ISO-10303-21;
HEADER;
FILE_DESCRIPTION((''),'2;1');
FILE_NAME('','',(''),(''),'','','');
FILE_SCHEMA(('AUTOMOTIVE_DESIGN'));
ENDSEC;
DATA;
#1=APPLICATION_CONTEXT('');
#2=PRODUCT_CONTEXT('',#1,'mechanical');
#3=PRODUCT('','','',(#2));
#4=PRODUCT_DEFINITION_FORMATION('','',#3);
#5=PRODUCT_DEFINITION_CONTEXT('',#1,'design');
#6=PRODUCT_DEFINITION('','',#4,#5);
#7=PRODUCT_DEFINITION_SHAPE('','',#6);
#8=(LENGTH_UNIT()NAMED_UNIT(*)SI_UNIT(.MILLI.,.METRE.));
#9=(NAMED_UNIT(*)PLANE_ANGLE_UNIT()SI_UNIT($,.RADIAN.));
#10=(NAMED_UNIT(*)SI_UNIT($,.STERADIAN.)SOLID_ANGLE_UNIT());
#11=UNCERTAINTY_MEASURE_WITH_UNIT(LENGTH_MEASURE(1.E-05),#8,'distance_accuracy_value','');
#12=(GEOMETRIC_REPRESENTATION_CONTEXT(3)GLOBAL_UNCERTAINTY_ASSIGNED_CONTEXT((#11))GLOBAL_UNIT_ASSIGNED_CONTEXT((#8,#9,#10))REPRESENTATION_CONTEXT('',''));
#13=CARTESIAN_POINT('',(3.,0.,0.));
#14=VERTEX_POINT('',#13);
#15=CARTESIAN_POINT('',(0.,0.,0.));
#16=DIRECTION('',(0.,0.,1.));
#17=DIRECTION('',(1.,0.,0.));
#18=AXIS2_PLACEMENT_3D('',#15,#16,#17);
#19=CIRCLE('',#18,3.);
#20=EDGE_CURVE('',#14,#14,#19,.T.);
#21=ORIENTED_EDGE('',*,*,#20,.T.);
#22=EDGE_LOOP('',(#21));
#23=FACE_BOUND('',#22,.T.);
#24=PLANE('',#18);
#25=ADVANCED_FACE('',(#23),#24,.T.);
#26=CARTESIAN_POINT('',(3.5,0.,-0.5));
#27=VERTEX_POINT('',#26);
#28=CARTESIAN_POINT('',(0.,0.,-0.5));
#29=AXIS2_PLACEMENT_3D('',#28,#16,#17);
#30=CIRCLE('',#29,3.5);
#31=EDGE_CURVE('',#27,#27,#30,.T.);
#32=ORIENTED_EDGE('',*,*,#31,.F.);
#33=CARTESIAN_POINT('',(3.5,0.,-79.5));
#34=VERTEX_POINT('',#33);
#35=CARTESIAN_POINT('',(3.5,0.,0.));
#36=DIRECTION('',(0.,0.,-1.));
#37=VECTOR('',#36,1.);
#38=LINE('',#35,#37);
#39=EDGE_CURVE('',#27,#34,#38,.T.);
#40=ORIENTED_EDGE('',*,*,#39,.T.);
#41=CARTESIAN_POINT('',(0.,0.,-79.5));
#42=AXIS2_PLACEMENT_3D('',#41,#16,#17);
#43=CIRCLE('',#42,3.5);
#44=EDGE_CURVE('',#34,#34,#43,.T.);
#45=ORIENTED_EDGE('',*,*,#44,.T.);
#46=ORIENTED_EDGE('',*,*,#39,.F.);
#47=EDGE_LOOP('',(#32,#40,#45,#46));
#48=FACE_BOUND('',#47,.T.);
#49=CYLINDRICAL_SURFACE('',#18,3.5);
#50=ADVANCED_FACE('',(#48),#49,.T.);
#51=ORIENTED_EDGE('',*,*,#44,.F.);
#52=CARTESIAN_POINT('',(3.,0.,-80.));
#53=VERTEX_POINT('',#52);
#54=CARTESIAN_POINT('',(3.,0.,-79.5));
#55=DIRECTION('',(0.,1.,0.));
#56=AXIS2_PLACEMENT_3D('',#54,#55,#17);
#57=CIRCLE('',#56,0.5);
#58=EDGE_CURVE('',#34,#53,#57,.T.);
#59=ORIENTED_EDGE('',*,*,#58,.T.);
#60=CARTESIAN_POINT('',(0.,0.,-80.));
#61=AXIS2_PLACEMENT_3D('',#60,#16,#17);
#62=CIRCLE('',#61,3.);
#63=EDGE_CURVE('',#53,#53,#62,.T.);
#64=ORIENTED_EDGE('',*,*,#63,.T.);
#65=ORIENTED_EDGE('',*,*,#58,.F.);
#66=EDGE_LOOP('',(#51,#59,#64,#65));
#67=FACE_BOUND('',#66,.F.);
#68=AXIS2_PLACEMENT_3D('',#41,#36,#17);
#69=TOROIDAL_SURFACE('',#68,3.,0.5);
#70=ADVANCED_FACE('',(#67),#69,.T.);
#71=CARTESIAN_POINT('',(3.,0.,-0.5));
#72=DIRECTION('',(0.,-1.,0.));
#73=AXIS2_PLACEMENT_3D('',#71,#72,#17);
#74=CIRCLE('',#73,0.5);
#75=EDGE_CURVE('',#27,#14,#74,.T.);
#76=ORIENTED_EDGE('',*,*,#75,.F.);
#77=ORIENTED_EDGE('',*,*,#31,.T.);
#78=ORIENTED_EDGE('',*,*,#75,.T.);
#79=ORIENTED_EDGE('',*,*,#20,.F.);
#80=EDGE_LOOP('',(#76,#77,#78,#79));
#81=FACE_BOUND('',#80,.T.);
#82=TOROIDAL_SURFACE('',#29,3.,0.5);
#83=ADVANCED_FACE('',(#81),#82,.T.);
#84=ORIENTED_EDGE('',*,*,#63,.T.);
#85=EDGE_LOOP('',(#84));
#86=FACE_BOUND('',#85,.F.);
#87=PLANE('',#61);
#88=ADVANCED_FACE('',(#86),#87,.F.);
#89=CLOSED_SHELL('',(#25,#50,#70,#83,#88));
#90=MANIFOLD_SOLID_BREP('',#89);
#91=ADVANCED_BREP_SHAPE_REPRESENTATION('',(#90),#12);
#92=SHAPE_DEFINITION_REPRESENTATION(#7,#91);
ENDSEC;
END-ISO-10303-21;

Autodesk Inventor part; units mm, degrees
ref_plane "YZ Plane" through (0, 0, 0) normal (1, 0, 0) x (0, 1, 0)
ref_plane "XZ Plane" through (0, 0, 0) normal (0, 1, 0) x (-1, 0, 0)
ref_plane "XY Plane" through (0, 0, 0) normal (0, 0, 1) x (1, 0, 0)
sketch "Boceto1" plane through (0, 0, 0) normal (0, 0, 1) x (1, 0, 0)
  circle A0 centre (0, 0) radius 3.5
  dimension "d0" = 7
extrude "Extrusión1" add sketch "Boceto1" against normal blind 80
fillet "Empalme1" radius 0.5 2 edges at (-3.5, 0, 0) (-3.5, 0, -80)
properties part number "HIN-61 BISAGRA (PASADOR)" material "Acero inoxidable"
